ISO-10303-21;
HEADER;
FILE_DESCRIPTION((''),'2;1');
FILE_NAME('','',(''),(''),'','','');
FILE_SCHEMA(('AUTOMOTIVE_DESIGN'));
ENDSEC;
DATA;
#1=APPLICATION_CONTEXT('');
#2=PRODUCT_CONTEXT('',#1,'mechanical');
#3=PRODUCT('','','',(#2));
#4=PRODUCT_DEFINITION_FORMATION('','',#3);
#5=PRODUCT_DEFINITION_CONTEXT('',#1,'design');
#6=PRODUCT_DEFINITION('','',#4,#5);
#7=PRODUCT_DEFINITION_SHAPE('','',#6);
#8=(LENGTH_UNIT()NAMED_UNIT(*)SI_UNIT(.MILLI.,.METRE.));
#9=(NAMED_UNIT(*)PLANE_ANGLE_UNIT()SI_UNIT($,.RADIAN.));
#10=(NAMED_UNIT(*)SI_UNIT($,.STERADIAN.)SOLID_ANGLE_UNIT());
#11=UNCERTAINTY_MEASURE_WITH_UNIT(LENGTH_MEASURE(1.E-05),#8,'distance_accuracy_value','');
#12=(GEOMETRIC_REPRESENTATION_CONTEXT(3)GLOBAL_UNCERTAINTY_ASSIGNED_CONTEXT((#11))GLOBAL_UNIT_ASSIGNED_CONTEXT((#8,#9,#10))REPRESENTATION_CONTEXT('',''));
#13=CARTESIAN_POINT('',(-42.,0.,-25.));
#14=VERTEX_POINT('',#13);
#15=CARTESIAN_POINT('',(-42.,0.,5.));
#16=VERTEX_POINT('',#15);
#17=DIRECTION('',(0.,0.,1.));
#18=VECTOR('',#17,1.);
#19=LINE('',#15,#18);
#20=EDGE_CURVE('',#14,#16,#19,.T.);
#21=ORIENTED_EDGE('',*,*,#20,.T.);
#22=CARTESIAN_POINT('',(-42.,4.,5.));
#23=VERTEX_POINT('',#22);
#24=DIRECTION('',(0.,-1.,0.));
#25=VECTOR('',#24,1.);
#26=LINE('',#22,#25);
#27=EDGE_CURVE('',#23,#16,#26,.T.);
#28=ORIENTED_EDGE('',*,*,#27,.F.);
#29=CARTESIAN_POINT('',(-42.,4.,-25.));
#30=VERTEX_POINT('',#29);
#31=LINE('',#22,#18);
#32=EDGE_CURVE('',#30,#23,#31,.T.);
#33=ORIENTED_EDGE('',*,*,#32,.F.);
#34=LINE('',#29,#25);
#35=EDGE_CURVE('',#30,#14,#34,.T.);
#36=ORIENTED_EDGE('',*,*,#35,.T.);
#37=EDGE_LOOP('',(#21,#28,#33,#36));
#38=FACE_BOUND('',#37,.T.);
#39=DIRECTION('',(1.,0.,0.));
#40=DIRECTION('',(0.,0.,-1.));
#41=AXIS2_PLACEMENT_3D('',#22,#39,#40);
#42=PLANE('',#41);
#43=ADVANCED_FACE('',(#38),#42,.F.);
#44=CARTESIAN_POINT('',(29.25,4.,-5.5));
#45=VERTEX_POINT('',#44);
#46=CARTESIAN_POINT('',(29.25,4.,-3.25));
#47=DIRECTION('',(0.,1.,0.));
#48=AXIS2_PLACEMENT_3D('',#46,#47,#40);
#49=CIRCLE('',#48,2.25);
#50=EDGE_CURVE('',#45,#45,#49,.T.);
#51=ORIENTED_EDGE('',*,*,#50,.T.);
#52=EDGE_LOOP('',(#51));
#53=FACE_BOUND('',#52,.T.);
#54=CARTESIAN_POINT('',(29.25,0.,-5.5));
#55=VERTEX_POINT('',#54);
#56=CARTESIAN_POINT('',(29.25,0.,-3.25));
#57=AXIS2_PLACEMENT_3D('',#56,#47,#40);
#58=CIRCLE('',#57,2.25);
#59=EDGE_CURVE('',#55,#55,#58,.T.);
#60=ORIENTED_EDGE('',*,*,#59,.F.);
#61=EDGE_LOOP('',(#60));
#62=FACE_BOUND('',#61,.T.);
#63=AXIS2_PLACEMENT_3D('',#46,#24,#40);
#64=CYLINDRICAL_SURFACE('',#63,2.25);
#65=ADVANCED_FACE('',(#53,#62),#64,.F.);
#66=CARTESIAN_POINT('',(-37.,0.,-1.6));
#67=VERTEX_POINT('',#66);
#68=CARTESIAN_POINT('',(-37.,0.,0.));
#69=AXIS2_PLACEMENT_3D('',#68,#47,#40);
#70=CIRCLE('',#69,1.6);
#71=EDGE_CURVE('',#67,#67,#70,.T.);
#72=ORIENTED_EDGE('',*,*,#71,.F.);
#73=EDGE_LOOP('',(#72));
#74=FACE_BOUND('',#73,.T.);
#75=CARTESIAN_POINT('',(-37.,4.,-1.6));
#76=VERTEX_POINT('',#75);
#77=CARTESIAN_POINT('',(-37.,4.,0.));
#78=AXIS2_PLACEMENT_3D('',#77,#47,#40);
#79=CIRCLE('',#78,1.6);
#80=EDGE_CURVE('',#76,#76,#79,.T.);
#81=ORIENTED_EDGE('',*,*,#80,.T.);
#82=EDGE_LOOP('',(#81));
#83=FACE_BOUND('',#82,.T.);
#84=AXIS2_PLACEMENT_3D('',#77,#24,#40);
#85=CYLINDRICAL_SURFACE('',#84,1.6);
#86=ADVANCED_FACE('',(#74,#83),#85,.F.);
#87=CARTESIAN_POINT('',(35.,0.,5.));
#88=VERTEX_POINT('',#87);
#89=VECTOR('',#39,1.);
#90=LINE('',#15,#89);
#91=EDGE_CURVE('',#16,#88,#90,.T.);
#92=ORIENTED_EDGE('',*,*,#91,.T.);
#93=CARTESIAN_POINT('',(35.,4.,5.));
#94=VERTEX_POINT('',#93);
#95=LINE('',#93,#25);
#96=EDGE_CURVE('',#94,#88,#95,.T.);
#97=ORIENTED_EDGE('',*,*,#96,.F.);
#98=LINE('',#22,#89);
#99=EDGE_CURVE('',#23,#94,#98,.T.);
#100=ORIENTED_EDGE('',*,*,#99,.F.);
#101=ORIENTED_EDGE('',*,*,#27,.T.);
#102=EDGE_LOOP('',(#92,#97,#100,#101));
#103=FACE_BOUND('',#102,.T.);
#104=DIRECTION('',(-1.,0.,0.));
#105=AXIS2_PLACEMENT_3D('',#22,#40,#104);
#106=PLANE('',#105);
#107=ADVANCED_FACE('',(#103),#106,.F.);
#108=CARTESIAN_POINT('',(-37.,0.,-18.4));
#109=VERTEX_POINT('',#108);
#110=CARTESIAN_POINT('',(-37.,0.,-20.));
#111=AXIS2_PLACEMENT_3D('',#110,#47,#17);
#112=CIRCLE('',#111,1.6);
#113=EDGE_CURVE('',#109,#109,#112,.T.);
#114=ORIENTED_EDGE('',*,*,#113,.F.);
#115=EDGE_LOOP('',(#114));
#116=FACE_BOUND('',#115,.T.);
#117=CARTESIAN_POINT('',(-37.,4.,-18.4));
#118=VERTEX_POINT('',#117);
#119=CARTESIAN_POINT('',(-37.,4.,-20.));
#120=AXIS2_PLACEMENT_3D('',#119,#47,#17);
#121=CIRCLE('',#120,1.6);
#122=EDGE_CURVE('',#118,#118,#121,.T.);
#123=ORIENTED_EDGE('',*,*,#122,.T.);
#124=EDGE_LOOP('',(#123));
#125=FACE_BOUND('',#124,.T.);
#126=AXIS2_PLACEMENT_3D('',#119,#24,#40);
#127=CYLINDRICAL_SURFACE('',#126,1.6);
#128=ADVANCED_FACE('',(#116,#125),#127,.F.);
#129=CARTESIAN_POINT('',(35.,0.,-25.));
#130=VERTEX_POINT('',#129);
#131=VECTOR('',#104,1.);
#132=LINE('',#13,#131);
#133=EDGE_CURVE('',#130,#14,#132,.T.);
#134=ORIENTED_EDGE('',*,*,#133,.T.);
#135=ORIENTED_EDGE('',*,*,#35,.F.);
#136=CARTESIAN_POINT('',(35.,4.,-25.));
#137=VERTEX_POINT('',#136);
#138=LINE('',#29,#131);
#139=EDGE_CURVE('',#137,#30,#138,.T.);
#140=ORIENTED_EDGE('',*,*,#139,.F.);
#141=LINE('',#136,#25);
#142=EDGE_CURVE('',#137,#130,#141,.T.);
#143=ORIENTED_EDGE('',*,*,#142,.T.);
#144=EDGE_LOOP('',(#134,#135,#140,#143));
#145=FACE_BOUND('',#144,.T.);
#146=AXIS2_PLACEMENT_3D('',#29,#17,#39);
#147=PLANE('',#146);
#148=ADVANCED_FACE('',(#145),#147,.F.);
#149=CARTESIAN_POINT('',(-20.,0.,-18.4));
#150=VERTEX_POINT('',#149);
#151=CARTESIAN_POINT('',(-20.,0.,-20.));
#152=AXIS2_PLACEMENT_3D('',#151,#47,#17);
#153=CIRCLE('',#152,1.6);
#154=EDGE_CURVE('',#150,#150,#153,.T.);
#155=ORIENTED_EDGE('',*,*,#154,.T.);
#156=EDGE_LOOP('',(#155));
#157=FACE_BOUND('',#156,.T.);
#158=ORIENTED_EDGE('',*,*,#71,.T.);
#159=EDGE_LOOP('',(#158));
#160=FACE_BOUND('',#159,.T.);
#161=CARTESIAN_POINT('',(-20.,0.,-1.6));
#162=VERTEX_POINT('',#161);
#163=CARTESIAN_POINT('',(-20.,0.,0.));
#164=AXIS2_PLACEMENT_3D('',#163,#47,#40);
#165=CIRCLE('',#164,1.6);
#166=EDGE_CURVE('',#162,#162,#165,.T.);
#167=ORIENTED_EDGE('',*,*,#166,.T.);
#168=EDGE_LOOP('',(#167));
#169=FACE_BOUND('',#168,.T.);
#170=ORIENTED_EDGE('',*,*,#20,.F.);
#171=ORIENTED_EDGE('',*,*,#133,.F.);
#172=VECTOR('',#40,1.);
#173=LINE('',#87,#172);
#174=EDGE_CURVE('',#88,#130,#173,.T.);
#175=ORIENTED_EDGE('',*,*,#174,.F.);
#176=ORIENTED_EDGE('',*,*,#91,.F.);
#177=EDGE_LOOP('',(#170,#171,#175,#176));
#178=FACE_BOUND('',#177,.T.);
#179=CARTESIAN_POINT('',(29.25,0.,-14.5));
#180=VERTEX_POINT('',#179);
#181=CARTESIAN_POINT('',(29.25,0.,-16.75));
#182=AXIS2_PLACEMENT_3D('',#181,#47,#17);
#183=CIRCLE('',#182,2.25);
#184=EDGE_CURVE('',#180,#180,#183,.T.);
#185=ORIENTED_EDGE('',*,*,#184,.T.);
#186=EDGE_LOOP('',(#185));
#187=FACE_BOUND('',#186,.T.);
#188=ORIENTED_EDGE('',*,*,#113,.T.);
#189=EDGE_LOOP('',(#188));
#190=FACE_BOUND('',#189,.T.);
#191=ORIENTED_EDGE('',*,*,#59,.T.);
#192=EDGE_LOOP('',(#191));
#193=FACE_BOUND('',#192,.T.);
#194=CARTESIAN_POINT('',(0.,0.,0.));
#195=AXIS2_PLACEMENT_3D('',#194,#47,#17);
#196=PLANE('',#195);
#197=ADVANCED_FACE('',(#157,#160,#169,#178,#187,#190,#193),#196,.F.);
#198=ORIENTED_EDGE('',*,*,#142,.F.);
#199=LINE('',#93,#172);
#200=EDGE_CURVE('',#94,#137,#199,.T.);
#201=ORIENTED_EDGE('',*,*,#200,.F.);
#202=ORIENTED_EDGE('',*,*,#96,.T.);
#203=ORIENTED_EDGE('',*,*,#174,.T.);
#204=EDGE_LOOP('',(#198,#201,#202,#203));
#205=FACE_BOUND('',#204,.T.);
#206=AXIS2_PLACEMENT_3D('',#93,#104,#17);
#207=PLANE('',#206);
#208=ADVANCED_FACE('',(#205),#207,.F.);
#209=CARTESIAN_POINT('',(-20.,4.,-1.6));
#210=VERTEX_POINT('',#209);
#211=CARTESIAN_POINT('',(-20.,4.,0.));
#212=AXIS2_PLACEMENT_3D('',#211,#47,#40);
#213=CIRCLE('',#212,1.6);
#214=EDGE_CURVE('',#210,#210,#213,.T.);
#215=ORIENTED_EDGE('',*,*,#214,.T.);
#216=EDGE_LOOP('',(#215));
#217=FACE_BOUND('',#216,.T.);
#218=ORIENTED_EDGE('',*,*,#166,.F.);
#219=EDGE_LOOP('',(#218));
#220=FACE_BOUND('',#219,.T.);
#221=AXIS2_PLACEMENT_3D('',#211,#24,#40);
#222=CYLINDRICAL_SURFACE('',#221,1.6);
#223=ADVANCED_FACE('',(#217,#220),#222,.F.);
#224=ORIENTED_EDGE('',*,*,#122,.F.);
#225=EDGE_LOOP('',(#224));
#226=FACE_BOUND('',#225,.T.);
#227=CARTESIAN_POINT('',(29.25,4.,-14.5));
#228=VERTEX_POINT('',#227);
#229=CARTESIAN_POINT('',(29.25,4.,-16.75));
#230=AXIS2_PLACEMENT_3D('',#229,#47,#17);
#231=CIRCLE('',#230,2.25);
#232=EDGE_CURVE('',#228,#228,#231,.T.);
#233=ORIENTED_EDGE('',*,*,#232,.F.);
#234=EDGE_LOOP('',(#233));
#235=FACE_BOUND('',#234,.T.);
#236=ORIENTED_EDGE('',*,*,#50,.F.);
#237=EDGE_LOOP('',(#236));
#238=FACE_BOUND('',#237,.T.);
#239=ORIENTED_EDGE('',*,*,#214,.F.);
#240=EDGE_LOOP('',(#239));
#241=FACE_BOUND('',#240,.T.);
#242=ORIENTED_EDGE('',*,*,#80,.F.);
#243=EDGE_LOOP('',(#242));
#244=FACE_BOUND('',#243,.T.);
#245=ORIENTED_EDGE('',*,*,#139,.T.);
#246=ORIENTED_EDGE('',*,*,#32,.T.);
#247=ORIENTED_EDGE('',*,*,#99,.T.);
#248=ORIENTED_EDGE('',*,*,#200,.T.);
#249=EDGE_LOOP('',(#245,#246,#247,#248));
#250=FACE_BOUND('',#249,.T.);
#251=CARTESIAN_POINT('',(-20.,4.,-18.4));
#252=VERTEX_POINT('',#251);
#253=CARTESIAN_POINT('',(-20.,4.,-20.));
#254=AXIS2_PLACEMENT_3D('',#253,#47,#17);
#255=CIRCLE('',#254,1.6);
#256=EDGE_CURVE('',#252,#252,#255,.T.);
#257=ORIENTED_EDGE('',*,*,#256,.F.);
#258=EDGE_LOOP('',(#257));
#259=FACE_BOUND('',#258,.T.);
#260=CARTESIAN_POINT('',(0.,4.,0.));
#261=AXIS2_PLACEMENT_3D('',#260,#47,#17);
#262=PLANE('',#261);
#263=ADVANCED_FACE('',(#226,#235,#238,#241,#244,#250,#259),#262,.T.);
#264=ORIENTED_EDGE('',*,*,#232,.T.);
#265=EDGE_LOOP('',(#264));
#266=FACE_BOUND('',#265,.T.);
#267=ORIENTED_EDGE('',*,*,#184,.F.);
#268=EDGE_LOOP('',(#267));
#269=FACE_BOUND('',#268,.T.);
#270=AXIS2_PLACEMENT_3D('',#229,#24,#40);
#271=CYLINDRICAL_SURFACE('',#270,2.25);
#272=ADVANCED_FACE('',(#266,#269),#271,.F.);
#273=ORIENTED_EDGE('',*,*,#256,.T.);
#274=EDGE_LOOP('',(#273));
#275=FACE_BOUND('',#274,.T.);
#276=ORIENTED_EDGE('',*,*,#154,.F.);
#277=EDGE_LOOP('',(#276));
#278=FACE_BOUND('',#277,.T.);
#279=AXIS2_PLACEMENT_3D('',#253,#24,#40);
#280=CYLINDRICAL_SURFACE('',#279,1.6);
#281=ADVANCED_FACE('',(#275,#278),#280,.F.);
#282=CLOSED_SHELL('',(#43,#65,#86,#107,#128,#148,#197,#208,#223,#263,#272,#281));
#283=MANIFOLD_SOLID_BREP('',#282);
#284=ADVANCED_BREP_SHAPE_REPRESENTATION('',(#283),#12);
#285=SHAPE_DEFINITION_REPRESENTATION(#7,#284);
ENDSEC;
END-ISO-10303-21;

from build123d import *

# Parameters (mm, degrees)
SKETCH_1_W      = 77
SKETCH_1_H      = 30
SKETCH_1_R      = 1.6
SKETCH_1_R_2    = 2.25
EXTRUDE_1_DEPTH = 4


with BuildPart() as part:
    # 草图1 → 凸台-拉伸1 (new body)
    with BuildSketch(Plane(origin=(0, 0, 0), x_dir=(1, 0, 0), z_dir=(0, 1, 0))):
        with Locations((-3.5, 10)):
            Rectangle(SKETCH_1_W, SKETCH_1_H)
        with Locations((-20, 20)):
            Circle(SKETCH_1_R, mode=Mode.SUBTRACT)
        with Locations((-37, 20)):
            Circle(SKETCH_1_R, mode=Mode.SUBTRACT)
        with Locations((-20, 0)):
            Circle(SKETCH_1_R, mode=Mode.SUBTRACT)
        with Locations((-37, 0)):
            Circle(SKETCH_1_R, mode=Mode.SUBTRACT)
        with Locations((29.25, 16.75)):
            Circle(SKETCH_1_R_2, mode=Mode.SUBTRACT)
        with Locations((29.25, 3.25)):
            Circle(SKETCH_1_R_2, mode=Mode.SUBTRACT)
    extrude(amount=EXTRUDE_1_DEPTH)


solid = part.part
